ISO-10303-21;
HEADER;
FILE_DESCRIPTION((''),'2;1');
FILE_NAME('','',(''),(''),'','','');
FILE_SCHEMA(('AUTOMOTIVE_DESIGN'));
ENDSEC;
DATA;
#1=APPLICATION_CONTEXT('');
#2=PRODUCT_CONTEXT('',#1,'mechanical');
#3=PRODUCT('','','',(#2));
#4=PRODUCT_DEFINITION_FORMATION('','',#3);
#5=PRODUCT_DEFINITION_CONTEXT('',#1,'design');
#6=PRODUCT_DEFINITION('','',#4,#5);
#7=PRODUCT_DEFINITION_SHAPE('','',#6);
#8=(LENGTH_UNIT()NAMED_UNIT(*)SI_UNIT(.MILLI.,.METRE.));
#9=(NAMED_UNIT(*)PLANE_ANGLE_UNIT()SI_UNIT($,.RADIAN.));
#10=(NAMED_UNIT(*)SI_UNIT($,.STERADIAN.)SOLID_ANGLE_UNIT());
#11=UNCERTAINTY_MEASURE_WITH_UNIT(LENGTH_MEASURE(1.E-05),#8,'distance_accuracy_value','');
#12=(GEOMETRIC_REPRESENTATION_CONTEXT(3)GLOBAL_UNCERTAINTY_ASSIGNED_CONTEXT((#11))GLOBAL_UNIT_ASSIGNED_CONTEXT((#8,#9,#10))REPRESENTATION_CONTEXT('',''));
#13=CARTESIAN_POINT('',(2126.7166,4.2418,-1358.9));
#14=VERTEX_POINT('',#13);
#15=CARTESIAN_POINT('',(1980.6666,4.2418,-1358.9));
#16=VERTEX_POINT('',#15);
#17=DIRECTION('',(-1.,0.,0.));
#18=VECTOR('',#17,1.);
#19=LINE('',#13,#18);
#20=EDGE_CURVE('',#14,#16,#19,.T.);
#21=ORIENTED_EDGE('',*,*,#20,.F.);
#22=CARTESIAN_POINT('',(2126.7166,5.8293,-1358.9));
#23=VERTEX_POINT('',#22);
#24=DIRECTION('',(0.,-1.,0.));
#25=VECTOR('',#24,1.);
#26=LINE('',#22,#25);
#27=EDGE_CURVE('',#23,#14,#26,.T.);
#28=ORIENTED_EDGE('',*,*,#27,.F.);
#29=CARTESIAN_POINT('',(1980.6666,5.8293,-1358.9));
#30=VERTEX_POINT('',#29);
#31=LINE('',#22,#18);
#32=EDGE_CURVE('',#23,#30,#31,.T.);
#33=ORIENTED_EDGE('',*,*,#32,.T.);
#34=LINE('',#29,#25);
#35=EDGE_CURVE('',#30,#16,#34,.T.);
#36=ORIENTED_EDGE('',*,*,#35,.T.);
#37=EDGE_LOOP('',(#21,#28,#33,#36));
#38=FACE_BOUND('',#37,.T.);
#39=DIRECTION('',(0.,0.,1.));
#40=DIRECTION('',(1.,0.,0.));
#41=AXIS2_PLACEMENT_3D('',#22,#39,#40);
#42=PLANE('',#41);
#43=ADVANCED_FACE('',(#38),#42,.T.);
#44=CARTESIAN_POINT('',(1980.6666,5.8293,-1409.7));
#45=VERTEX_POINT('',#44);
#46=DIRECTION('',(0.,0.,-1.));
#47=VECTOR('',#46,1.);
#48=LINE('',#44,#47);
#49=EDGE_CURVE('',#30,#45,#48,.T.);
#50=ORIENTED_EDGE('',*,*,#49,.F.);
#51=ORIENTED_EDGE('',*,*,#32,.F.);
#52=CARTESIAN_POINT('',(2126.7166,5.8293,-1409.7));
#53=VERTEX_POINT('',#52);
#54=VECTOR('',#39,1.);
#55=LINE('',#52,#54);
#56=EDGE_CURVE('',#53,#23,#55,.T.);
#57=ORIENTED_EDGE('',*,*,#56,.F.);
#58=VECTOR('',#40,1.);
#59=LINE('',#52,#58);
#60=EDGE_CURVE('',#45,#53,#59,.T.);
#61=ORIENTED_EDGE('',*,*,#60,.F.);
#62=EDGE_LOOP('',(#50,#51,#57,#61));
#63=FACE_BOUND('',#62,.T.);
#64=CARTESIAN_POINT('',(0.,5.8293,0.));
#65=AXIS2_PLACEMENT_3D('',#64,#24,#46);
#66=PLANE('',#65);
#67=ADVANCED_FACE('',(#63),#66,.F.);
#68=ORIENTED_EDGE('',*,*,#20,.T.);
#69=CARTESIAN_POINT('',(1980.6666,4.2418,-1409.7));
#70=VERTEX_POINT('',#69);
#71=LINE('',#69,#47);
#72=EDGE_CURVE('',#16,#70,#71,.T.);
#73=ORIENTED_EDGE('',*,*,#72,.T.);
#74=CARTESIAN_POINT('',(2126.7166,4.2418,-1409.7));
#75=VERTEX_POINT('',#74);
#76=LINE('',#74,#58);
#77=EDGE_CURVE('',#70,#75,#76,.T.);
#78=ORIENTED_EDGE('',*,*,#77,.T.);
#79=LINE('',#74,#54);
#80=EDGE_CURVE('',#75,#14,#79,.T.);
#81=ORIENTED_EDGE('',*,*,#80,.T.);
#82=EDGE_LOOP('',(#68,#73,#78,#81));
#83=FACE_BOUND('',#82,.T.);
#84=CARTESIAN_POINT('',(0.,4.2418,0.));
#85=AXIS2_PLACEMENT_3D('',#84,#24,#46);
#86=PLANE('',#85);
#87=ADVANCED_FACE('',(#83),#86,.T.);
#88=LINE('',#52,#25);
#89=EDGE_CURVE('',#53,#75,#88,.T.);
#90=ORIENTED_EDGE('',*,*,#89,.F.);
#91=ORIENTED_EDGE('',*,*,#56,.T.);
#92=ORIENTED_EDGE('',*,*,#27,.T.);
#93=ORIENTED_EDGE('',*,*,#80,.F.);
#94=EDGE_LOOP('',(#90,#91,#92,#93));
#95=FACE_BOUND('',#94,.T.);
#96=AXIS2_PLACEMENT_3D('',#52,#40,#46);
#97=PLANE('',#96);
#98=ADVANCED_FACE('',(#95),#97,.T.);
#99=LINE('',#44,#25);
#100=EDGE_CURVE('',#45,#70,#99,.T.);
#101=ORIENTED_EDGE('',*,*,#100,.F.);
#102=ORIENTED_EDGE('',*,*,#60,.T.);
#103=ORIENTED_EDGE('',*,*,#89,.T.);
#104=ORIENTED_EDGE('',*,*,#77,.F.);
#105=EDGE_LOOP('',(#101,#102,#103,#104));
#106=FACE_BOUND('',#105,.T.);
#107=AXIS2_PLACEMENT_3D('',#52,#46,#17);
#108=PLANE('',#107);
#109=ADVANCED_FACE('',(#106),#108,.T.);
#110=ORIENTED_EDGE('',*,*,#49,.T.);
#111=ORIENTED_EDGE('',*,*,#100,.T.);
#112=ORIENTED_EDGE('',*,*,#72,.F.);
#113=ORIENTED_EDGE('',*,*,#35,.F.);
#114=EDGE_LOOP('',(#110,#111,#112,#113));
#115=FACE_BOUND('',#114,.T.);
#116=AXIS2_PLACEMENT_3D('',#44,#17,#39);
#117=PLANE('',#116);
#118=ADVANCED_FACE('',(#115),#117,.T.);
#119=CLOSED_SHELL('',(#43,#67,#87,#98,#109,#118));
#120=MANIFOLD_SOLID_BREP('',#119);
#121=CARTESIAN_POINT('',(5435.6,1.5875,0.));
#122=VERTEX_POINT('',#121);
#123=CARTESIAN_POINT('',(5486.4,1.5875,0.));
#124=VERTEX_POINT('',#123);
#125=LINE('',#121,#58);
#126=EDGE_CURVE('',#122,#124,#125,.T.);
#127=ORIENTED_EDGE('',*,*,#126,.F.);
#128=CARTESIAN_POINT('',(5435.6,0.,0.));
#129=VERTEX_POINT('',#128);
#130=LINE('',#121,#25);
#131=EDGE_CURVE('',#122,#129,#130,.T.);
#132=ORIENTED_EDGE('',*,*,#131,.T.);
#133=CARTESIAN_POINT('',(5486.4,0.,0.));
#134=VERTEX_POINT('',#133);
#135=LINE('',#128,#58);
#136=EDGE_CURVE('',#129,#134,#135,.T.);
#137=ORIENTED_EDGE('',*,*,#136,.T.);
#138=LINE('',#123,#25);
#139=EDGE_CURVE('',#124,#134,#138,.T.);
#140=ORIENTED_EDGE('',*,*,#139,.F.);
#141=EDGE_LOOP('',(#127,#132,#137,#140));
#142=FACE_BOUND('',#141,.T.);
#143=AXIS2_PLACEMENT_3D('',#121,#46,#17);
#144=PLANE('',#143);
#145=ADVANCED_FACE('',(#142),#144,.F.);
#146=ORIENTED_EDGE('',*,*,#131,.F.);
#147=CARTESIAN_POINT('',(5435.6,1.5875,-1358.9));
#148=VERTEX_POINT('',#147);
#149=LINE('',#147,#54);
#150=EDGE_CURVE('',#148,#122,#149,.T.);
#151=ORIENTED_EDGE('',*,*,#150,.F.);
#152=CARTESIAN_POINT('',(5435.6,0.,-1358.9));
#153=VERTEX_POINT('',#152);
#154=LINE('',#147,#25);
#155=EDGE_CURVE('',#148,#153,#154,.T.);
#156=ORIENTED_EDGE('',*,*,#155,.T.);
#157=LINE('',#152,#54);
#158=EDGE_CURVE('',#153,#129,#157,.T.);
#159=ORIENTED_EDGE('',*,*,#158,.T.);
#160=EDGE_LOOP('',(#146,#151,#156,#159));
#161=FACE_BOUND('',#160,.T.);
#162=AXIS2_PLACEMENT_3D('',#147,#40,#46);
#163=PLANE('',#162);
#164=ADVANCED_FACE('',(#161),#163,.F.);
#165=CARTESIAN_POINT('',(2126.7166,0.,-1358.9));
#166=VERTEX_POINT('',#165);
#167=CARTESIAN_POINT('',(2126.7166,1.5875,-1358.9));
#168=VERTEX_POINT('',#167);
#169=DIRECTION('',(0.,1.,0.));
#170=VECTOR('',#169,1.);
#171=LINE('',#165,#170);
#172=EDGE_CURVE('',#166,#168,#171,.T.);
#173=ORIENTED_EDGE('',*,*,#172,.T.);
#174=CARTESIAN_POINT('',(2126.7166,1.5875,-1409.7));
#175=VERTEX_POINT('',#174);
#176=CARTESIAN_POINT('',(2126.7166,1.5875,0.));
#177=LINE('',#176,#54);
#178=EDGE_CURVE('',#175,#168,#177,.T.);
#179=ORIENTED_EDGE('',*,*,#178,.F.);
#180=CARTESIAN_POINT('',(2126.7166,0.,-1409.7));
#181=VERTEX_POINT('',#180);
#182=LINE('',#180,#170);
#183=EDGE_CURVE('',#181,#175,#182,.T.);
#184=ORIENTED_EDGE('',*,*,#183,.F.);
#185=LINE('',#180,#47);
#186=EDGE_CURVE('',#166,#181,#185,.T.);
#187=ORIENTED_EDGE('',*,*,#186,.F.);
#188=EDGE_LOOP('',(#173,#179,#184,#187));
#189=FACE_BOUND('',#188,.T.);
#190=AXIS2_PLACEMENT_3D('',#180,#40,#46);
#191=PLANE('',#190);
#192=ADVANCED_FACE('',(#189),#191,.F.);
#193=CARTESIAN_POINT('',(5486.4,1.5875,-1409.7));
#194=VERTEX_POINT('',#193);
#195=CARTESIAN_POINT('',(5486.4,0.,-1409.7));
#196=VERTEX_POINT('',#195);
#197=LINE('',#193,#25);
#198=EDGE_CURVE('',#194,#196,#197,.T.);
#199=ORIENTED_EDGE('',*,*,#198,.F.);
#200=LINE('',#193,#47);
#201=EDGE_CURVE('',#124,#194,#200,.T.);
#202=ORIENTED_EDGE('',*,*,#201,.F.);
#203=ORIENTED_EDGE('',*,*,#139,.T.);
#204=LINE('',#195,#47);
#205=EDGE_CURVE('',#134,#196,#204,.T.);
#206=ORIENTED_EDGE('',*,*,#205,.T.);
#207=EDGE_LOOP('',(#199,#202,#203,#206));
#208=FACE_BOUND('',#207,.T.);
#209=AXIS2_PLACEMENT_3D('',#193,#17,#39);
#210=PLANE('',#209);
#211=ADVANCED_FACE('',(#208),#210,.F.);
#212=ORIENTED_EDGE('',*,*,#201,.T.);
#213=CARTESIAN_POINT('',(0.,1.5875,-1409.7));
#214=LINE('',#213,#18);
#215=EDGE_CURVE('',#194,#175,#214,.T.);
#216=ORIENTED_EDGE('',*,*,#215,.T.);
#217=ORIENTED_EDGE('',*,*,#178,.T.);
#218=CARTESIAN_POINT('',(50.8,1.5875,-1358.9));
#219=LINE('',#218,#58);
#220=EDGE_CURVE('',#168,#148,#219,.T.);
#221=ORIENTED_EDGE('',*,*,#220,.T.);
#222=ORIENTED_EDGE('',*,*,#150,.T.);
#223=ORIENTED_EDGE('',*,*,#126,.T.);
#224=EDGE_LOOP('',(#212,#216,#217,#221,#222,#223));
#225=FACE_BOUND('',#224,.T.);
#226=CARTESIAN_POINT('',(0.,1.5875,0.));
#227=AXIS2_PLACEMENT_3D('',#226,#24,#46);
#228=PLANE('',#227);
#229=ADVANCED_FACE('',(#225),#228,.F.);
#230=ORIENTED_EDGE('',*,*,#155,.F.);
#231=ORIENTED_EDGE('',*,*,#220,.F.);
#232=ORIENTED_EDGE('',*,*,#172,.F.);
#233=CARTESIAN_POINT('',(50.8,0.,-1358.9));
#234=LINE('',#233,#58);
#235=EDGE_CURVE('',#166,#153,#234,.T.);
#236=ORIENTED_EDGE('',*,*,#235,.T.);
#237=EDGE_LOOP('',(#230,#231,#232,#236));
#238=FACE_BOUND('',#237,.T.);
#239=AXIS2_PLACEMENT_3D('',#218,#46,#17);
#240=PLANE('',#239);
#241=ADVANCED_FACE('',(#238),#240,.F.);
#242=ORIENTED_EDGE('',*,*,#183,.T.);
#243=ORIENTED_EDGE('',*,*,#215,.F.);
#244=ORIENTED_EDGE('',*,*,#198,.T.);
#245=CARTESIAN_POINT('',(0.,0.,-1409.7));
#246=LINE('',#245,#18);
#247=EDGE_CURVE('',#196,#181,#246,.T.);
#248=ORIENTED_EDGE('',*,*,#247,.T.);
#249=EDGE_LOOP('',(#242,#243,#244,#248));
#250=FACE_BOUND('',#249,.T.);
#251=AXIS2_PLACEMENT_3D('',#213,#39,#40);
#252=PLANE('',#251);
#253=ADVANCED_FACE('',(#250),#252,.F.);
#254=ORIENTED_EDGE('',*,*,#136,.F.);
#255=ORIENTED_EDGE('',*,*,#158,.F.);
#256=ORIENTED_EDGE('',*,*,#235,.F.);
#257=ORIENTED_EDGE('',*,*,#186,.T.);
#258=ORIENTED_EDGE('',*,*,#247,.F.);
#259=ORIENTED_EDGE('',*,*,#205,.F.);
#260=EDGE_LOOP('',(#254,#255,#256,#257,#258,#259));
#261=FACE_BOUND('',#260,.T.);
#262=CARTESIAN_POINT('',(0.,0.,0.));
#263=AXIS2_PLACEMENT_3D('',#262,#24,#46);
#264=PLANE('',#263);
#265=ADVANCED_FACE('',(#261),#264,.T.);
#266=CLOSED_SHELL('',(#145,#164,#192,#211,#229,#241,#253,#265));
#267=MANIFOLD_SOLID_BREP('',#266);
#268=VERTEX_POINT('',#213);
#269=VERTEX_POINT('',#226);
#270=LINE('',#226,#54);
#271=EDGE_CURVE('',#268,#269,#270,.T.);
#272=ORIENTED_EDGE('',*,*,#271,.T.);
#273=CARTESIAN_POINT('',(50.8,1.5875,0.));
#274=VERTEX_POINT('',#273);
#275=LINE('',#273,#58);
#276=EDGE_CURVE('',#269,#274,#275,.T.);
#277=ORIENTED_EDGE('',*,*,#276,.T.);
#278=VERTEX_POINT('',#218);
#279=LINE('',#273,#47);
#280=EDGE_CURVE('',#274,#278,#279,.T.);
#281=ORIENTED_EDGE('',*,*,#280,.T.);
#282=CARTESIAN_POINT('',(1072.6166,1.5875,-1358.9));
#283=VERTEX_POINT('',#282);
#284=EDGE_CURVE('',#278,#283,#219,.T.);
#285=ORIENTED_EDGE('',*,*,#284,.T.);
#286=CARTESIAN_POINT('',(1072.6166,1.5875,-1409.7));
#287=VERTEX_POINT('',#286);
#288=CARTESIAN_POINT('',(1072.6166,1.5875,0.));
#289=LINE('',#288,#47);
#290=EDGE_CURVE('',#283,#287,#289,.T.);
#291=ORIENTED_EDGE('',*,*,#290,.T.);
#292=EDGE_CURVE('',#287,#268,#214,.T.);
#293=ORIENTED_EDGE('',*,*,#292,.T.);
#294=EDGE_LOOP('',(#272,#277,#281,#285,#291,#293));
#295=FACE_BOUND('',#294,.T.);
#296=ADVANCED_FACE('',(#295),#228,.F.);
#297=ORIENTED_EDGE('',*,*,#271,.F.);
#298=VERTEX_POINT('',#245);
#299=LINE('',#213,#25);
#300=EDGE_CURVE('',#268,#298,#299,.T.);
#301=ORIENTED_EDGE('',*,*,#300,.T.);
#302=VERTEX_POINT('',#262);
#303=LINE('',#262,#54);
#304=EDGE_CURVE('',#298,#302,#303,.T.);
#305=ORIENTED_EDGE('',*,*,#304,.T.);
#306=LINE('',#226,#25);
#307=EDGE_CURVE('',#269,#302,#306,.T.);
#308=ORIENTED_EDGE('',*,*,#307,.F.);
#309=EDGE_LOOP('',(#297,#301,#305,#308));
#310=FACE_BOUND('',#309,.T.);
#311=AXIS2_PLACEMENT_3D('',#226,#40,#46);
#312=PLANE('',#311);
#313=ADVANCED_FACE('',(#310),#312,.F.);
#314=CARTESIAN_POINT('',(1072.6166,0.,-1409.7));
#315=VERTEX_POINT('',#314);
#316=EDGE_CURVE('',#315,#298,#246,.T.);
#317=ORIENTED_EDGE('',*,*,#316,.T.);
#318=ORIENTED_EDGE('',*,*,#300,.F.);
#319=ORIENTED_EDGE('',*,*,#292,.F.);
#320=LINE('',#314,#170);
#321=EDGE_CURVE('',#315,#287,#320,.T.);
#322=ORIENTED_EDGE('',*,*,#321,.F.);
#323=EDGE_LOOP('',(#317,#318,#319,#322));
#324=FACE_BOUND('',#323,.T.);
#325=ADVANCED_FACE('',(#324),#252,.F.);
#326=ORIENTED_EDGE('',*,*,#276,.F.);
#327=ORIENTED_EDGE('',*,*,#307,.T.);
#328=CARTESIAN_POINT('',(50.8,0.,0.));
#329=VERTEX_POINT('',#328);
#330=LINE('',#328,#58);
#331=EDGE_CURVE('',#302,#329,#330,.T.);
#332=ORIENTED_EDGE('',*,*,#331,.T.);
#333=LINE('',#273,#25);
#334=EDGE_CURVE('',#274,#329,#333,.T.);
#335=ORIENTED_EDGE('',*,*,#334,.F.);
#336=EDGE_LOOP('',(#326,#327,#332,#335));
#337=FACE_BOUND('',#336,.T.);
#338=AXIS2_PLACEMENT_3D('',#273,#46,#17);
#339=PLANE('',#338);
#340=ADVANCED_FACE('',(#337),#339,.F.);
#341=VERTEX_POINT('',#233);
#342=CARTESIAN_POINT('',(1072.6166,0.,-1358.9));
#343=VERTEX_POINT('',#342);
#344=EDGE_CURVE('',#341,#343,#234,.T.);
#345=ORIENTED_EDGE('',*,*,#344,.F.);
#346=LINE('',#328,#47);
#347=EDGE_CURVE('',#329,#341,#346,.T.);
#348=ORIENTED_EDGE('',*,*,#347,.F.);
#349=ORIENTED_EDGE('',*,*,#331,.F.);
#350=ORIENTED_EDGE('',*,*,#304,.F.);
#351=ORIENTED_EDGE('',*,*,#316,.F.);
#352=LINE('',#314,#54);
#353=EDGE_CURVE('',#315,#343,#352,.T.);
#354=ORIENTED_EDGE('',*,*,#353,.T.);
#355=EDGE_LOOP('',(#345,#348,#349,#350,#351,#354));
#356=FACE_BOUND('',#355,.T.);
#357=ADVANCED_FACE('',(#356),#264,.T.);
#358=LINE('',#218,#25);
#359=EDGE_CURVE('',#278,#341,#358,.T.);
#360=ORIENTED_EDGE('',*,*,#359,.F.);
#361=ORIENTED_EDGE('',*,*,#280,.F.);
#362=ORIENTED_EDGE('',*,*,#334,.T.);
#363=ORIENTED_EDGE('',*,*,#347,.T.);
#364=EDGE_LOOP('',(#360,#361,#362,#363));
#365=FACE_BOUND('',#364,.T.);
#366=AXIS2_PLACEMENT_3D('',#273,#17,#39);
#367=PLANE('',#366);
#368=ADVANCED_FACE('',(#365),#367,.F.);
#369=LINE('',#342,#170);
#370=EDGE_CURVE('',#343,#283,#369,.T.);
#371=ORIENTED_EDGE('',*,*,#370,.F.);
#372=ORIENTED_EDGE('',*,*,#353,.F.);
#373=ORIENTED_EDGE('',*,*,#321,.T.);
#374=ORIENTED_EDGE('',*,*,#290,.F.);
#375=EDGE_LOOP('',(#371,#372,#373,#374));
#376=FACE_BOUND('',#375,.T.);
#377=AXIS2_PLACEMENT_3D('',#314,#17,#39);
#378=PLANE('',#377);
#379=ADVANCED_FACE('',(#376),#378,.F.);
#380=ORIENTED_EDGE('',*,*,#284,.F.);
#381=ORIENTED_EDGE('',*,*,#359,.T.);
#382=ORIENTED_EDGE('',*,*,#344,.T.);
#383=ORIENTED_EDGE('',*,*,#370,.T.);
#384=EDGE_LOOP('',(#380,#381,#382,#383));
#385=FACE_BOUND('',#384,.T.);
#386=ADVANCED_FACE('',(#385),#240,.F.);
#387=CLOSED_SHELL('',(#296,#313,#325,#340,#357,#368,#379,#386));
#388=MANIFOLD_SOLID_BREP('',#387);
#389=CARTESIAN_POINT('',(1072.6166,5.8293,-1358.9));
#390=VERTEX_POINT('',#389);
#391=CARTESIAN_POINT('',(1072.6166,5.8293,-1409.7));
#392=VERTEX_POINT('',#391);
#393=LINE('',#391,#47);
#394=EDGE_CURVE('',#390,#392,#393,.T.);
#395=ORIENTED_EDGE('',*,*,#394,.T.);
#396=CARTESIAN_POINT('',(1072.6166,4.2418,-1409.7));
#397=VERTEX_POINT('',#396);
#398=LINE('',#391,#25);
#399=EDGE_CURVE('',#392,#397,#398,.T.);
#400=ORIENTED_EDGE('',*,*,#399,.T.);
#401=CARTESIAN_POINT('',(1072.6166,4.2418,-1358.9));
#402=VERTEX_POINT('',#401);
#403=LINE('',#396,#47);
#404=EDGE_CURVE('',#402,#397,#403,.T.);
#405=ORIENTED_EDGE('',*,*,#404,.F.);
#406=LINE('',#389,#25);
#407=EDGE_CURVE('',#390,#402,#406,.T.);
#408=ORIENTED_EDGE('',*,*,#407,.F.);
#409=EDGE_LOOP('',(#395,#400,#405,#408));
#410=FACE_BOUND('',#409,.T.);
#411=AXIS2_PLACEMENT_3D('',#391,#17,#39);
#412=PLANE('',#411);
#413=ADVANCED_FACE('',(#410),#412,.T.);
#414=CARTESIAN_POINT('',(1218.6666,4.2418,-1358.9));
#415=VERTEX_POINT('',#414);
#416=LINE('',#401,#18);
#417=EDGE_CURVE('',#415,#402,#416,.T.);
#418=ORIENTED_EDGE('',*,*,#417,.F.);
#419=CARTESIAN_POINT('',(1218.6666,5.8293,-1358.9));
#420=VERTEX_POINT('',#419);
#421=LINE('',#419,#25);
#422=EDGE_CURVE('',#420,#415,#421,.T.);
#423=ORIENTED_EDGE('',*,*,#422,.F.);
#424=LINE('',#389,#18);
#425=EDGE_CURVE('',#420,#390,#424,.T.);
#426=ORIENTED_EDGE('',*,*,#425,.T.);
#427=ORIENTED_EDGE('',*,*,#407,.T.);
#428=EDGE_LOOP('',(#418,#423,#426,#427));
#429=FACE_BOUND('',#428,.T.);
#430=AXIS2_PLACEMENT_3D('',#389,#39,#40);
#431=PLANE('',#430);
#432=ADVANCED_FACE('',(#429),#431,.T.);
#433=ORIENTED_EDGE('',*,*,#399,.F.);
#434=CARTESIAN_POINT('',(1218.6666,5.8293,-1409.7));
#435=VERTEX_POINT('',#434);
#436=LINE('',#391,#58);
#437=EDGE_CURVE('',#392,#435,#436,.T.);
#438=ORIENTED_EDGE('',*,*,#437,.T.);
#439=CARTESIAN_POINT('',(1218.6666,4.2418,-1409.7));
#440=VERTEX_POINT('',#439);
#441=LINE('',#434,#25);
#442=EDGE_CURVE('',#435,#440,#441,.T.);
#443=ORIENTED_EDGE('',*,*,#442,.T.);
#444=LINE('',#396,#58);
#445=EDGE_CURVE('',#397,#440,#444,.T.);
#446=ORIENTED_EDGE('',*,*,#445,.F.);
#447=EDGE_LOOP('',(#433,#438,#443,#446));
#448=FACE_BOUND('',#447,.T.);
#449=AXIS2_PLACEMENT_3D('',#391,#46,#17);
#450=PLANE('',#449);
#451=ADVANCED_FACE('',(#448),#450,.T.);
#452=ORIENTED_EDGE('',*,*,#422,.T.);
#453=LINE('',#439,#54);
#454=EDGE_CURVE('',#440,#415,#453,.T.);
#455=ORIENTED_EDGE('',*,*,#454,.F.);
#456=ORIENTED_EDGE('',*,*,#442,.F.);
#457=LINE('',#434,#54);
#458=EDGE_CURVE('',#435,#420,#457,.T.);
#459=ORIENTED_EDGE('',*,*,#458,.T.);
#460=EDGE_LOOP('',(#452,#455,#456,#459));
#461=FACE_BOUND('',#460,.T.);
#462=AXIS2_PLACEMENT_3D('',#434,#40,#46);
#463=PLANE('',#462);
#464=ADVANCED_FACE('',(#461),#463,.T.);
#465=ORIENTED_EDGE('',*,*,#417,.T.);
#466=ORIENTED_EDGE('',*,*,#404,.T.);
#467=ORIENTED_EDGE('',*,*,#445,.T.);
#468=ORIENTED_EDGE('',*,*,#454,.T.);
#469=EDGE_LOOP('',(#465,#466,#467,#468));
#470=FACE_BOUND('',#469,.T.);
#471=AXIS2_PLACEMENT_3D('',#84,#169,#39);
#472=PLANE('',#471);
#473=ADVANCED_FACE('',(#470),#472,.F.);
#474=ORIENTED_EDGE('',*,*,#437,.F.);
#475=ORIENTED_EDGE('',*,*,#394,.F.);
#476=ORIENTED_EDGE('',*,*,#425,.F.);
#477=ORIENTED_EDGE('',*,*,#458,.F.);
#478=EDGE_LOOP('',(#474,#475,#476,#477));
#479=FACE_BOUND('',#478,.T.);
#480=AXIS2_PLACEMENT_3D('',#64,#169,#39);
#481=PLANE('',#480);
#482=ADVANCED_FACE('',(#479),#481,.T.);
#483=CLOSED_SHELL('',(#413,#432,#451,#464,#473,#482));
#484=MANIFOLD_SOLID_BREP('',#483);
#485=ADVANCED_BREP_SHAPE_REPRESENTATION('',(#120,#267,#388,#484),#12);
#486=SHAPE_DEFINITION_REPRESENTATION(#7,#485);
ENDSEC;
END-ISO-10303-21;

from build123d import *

# Parameters (mm, degrees)
BOSS_EXTRUDE1_DEPTH     = 1.5875
SKETCH2_W               = 1054.1
SKETCH2_H               = 50.8
CUT_EXTRUDE1_DEPTH      = 1
CUT_EXTRUDE1_DEPTH_BACK = 2.5875
SKETCH3_W               = 146.05
SKETCH3_H               = 50.8
BOSS_EXTRUDE2_DEPTH     = 1.5875
BOSS_EXTRUDE2_2_DEPTH   = 1.5875


with BuildPart() as part:
    # Sketch1 → Boss-Extrude1 (new body)
    with BuildSketch(Plane(origin=(0, 0, 0), x_dir=(1, 0, 0), z_dir=(0, 1, 0))):
        Polygon((0, 0), (0, 1409.7), (5486.4, 1409.7), (5486.4, 0), (5435.6, 0), (5435.6, 1358.9), (50.8, 1358.9), (50.8, 0), align=None)
    extrude(amount=BOSS_EXTRUDE1_DEPTH)

    # Sketch2 → Cut-Extrude1 (cut, two sides)
    with BuildSketch(Plane(origin=(0, 1.5875, 0), x_dir=(1, 0, 0), z_dir=(0, 1, 0))) as cut_extrude1_sk:
        with Locations((1599.6666, 1384.3)):
            Rectangle(SKETCH2_W, SKETCH2_H)
    extrude(amount=CUT_EXTRUDE1_DEPTH, mode=Mode.SUBTRACT)
    extrude(cut_extrude1_sk.sketch, amount=-CUT_EXTRUDE1_DEPTH_BACK, mode=Mode.SUBTRACT)


with BuildPart() as body_2:
    # Sketch3 → Boss-Extrude2 (new body)
    with BuildSketch(Plane(origin=(0, 4.2418, 0), x_dir=(-1, 0, 0), z_dir=(0, -1, 0))):
        with Locations((-1145.6416, 1384.3)):
            Rectangle(SKETCH3_W, SKETCH3_H)
    extrude(amount=-BOSS_EXTRUDE2_DEPTH)


with BuildPart() as body_3:
    # Sketch3 → Boss-Extrude2 2 (new body)
    with BuildSketch(Plane(origin=(0, 4.2418, 0), x_dir=(-1, 0, 0), z_dir=(0, -1, 0))):
        with Locations((-2053.6916, 1384.3)):
            Rectangle(SKETCH3_W, SKETCH3_H)
    extrude(amount=-BOSS_EXTRUDE2_2_DEPTH)


solid = Compound([part.part, body_2.part, body_3.part])
